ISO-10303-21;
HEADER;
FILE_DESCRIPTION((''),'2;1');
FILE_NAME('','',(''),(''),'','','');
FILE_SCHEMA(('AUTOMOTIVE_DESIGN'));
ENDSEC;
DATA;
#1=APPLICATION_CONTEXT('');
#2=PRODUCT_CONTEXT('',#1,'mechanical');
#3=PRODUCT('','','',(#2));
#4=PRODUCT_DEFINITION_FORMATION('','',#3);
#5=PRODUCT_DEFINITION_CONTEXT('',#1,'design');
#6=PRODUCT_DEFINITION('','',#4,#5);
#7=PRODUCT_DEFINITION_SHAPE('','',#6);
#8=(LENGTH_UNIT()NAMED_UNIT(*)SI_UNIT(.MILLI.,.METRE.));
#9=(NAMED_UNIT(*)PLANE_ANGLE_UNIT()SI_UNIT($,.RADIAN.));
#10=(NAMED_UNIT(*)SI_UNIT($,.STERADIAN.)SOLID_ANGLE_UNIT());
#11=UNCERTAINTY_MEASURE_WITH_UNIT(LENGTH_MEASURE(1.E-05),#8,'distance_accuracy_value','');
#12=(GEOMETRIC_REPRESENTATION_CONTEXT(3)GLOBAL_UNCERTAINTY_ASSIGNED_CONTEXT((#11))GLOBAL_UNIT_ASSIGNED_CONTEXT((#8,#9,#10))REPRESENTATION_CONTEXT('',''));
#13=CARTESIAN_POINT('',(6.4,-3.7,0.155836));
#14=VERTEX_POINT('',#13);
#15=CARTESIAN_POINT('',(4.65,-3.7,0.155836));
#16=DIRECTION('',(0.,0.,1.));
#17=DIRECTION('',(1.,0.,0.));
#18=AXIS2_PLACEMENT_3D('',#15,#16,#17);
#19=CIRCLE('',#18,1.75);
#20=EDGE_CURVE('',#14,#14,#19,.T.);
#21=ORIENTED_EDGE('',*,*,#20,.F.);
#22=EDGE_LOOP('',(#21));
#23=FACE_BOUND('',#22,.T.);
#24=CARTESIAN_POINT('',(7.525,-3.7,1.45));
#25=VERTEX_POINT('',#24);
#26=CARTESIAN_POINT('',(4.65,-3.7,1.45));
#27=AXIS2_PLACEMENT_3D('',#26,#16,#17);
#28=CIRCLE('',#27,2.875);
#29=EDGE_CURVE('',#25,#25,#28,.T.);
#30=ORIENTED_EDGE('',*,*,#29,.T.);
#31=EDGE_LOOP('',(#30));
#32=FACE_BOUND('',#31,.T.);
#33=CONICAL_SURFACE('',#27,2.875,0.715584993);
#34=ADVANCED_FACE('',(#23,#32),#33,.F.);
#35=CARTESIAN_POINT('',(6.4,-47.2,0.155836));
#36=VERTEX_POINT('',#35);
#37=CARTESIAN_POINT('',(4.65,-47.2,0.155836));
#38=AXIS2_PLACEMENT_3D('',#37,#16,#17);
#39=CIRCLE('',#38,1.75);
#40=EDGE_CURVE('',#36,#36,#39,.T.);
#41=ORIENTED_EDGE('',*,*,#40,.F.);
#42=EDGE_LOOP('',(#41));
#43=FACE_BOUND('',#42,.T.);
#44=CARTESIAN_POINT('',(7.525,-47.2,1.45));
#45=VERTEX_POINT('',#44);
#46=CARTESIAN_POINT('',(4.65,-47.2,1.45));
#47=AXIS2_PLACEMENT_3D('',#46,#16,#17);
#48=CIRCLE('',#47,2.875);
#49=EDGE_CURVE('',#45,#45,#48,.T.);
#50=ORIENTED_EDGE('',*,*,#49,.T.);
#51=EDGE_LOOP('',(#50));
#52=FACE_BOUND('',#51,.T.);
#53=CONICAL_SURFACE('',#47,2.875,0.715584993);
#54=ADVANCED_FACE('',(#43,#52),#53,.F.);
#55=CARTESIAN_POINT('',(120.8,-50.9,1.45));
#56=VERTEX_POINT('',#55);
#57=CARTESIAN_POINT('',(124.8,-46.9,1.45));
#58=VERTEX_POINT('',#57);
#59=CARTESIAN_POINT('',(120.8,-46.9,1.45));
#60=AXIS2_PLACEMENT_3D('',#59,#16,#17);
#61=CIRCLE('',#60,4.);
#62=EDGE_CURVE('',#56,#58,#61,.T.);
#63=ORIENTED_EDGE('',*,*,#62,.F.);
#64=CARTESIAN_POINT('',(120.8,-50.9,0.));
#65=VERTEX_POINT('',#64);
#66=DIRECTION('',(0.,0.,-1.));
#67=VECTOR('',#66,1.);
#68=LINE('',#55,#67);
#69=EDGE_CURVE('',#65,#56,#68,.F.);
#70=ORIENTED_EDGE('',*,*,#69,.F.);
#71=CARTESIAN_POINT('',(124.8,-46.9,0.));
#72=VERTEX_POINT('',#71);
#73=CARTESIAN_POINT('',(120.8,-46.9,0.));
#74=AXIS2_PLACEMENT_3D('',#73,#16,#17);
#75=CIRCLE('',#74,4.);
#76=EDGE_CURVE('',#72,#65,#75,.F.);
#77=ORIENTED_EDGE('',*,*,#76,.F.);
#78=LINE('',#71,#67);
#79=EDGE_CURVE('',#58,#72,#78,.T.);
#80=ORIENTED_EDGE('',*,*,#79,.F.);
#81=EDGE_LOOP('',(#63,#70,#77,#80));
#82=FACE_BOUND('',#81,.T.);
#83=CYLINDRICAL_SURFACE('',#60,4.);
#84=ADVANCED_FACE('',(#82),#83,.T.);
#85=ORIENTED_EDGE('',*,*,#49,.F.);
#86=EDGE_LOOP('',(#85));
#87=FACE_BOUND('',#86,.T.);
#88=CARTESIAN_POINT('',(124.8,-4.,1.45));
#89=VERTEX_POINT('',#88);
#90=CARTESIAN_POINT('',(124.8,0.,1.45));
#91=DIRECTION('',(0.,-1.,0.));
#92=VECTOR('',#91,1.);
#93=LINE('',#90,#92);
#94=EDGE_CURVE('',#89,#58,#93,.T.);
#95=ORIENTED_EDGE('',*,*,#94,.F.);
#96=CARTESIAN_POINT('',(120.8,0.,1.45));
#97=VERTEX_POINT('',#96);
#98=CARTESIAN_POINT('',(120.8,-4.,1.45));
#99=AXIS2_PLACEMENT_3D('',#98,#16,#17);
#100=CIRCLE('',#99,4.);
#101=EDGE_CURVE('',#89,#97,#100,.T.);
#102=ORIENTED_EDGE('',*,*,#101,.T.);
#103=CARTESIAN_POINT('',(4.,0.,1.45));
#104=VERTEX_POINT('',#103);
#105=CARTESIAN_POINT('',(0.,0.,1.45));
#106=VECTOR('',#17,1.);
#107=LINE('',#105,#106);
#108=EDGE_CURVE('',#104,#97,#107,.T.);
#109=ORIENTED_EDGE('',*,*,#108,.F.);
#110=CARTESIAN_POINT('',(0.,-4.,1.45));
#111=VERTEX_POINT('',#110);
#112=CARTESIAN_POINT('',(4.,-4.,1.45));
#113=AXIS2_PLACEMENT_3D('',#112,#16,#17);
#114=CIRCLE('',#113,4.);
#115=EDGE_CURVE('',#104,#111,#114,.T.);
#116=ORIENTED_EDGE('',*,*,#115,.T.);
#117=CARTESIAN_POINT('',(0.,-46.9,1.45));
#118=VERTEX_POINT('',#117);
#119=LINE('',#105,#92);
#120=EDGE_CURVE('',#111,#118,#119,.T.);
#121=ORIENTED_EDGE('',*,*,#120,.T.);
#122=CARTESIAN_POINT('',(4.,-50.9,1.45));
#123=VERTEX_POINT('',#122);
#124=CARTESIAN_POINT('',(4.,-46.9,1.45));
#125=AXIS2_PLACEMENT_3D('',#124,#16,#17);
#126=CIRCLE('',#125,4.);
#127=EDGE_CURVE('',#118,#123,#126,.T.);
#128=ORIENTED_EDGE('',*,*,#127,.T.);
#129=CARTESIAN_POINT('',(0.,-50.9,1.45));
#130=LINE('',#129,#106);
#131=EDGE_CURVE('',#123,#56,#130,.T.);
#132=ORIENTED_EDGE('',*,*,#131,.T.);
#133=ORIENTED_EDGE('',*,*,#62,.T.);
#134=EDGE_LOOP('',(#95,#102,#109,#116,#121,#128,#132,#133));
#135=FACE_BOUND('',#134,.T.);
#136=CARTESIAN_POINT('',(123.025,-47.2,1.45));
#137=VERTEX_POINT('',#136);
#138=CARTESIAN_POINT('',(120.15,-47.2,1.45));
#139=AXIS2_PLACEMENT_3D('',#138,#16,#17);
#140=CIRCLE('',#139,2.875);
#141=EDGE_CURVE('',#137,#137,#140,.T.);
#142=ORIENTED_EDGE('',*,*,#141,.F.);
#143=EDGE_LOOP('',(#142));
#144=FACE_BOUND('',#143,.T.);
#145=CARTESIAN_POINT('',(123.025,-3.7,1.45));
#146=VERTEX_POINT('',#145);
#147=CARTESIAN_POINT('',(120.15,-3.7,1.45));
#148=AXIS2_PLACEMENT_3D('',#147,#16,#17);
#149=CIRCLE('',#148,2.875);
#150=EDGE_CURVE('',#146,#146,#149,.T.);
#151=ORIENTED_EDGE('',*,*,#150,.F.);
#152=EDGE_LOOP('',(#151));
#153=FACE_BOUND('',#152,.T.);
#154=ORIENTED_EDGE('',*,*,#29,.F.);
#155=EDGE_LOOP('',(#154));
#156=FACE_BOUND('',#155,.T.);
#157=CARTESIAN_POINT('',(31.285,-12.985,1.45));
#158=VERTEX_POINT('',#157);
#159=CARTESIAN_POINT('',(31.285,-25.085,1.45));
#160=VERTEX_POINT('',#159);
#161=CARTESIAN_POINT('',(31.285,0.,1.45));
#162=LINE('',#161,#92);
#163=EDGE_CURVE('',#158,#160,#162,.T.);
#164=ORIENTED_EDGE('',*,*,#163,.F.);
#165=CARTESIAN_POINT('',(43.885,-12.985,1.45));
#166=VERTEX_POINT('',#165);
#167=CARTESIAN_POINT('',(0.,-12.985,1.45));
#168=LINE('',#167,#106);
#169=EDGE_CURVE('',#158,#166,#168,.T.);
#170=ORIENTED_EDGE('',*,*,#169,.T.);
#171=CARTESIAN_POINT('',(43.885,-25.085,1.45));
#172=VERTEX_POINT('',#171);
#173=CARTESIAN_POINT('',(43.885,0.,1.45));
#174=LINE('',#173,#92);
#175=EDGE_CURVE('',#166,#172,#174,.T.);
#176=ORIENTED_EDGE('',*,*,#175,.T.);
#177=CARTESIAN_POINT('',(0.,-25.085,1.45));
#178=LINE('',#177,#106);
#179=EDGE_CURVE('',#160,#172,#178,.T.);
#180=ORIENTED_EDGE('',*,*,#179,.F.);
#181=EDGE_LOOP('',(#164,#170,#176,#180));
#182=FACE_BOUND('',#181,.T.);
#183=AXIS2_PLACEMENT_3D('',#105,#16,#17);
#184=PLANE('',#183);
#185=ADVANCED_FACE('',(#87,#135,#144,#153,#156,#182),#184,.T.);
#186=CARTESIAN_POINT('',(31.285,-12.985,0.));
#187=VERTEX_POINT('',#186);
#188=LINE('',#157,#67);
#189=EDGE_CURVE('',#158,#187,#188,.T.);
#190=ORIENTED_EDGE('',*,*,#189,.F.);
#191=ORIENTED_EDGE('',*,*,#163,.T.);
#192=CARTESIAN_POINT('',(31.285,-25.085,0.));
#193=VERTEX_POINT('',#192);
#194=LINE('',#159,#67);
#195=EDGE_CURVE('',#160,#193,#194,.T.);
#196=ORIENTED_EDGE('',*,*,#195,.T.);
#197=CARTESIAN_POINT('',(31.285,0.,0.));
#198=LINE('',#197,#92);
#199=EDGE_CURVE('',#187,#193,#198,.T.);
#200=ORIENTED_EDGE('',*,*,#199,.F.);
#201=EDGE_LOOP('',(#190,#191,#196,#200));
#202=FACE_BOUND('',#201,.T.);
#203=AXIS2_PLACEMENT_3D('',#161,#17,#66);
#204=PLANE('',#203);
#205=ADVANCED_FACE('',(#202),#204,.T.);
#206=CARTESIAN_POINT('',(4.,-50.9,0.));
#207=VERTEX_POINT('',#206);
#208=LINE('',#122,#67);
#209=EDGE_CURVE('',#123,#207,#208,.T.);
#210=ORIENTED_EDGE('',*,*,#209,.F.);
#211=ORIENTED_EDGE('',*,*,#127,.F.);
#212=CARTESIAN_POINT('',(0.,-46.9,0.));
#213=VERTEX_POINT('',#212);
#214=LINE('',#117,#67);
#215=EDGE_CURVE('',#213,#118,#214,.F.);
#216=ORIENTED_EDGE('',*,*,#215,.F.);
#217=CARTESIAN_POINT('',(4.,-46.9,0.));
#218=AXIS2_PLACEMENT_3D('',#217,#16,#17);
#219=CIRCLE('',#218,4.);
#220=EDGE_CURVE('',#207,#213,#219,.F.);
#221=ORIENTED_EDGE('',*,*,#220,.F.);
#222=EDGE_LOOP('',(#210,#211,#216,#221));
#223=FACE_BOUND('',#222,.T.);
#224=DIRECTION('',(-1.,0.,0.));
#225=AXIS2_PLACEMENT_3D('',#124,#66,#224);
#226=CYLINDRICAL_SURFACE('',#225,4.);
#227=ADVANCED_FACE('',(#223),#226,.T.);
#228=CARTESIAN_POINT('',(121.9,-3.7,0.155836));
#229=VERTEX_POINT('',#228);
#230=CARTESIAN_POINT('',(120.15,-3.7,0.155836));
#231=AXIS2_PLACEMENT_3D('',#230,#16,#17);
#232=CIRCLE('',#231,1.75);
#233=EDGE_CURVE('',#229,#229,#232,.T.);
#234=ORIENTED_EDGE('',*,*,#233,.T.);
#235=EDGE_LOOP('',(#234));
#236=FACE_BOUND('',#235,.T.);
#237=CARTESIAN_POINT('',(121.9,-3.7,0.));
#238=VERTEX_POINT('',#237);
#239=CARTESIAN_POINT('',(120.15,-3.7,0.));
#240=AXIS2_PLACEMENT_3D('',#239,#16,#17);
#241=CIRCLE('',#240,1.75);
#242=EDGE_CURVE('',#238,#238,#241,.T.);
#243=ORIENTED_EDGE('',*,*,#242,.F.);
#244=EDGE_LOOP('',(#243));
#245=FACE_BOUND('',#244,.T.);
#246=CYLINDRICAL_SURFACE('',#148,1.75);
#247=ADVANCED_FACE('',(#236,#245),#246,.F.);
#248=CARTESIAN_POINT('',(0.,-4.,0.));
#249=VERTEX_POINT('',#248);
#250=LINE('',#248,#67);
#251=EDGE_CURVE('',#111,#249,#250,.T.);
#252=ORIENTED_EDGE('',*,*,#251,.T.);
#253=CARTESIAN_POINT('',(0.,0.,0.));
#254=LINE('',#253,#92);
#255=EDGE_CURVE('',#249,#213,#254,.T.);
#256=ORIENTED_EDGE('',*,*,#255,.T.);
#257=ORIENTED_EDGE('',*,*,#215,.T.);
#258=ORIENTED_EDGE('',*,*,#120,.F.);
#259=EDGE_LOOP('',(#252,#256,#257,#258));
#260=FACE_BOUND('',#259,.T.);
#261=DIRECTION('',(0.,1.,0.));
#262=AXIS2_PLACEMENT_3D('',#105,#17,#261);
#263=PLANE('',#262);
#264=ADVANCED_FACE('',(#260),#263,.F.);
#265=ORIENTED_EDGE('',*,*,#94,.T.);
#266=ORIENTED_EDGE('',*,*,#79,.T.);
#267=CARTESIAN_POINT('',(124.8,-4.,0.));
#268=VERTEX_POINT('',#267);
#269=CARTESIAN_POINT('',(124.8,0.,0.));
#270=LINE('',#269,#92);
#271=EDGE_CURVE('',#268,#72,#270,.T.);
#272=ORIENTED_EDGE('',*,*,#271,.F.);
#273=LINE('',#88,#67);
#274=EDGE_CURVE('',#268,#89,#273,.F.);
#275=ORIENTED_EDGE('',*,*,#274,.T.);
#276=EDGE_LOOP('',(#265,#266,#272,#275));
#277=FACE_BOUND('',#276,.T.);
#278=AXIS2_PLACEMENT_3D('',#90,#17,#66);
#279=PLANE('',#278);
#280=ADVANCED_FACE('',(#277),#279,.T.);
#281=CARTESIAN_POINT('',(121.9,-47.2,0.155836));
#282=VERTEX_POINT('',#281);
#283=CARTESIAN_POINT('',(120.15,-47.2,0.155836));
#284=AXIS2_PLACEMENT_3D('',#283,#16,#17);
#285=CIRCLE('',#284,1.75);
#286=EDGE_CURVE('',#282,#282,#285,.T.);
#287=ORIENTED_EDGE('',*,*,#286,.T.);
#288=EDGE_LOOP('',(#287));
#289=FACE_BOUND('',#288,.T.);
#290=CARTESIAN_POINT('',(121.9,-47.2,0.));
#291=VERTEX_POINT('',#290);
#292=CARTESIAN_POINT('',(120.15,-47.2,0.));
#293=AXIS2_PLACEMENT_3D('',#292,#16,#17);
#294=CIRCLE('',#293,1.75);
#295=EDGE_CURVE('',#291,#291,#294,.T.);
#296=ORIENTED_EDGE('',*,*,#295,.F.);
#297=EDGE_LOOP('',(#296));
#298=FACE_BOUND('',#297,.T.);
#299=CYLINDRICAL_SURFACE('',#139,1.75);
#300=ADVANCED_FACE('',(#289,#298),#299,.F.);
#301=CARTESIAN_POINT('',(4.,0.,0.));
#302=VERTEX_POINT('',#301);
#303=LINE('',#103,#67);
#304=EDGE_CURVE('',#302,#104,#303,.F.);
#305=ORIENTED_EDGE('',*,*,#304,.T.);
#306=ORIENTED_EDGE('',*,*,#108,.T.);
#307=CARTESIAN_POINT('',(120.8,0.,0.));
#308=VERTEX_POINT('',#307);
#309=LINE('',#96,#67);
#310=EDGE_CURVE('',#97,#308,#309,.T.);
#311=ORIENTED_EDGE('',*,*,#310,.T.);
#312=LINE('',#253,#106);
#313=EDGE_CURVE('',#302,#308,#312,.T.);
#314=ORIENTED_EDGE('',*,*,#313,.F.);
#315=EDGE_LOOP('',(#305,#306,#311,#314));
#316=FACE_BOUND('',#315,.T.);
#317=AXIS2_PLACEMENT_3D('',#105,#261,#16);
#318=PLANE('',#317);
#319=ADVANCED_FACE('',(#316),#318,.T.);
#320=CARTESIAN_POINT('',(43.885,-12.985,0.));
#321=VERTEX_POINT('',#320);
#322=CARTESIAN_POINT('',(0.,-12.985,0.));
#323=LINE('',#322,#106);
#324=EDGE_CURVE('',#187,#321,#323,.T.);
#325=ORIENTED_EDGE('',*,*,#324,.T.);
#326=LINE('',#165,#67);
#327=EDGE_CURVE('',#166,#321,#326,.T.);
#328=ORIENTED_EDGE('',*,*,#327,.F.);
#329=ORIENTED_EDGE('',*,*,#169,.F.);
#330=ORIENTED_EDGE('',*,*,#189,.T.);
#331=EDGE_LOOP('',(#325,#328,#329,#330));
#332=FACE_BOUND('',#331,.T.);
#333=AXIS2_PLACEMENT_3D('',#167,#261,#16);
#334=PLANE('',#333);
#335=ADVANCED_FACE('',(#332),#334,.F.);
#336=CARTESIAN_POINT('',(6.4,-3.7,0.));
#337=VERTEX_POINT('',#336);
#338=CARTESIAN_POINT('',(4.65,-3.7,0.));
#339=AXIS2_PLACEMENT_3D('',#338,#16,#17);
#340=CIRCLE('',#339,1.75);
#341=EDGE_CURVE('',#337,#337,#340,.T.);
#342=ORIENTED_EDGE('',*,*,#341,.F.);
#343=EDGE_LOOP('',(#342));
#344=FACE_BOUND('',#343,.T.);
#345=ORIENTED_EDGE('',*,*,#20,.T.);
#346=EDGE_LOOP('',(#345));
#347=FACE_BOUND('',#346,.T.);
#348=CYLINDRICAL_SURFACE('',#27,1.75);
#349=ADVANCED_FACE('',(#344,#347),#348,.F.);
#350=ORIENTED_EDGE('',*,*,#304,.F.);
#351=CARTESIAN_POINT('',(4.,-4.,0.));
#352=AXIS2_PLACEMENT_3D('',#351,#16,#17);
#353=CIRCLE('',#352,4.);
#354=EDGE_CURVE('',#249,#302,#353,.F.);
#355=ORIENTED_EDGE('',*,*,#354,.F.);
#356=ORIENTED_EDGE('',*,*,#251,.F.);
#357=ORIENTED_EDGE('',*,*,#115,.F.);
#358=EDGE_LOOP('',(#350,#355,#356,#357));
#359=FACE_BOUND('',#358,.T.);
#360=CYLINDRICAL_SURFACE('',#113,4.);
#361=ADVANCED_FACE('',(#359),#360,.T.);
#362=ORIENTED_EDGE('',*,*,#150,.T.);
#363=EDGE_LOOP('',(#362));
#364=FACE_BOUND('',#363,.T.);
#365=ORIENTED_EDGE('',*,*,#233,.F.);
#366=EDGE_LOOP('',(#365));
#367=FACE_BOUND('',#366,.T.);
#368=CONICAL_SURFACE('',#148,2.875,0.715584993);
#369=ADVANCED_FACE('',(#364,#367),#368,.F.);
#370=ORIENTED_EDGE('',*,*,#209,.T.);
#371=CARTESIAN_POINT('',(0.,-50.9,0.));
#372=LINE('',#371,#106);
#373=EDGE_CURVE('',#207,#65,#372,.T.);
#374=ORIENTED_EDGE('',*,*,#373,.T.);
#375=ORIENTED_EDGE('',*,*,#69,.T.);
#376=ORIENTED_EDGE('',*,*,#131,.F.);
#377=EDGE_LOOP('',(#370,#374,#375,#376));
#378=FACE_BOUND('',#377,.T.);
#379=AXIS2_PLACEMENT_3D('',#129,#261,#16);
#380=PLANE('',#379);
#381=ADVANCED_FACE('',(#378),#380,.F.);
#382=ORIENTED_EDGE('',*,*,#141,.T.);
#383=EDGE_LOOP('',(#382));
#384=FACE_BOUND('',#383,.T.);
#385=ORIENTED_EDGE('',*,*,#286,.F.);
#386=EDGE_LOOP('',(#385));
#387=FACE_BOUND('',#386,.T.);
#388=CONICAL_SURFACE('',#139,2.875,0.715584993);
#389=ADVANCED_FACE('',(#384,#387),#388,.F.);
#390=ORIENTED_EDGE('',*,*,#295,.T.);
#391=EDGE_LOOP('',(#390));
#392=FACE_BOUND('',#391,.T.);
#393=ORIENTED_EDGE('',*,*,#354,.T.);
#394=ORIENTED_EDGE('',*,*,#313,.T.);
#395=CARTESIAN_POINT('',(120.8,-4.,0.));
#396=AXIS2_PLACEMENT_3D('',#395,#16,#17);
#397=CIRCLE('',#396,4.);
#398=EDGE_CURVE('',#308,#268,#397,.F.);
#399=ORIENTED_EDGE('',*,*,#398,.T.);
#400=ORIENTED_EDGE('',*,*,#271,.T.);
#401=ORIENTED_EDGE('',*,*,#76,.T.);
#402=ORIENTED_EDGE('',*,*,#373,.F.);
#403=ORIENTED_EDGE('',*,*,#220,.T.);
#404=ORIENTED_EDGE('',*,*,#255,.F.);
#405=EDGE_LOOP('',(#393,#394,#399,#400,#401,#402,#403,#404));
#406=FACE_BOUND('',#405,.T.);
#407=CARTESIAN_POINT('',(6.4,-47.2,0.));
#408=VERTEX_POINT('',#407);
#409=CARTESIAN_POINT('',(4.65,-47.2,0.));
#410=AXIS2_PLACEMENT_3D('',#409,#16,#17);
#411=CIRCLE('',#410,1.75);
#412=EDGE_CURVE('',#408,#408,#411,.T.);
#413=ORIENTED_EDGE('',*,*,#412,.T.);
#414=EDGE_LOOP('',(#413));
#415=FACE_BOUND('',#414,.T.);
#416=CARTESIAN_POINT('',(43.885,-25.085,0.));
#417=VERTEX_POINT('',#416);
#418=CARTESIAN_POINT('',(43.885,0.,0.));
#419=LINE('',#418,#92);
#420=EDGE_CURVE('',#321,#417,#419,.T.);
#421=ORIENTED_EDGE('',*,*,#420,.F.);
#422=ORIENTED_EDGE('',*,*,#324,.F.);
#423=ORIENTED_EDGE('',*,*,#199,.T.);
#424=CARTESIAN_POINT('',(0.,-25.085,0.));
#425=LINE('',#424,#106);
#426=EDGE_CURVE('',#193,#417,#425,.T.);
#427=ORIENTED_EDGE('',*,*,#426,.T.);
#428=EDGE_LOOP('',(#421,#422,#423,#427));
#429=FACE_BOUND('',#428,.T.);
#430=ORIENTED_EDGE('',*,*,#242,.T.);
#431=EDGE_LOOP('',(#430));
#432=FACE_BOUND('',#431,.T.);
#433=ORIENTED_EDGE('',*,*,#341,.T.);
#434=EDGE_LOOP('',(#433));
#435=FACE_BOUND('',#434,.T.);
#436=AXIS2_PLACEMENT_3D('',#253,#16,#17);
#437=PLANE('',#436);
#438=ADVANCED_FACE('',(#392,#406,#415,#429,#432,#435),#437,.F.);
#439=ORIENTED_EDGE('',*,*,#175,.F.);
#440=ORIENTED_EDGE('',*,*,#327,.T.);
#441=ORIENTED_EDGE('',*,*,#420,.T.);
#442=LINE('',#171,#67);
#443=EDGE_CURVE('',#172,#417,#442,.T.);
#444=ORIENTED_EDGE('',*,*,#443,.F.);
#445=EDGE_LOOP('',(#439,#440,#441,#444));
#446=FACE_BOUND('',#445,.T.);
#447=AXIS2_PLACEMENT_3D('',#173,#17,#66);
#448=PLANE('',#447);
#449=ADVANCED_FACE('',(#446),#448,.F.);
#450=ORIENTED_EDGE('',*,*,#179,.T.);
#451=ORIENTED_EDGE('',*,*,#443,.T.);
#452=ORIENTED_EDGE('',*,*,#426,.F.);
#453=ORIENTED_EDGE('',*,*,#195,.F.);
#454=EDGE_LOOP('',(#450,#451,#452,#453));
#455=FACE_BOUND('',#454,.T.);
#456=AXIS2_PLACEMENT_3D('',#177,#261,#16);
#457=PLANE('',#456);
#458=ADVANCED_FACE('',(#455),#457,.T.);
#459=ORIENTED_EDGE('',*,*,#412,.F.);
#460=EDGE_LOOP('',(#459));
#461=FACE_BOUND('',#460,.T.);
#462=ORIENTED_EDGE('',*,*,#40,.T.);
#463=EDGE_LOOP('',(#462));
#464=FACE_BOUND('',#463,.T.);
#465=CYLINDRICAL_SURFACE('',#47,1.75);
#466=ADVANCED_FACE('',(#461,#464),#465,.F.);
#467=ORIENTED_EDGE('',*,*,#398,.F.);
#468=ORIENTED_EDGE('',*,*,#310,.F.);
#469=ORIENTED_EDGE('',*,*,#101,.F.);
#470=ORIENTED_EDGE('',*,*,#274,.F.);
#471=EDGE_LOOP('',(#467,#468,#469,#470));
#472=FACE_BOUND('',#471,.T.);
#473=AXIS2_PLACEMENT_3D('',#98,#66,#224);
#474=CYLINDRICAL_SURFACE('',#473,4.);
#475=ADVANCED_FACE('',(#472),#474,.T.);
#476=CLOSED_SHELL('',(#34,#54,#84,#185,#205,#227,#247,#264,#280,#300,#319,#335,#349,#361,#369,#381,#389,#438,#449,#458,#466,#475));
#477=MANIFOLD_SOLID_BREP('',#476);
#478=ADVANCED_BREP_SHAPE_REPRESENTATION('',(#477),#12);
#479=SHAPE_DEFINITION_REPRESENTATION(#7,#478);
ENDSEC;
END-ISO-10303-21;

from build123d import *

# Parameters (mm, degrees)
SKETCH1_W                                      = 124.8
SKETCH1_H                                      = 50.9
SKETCH1_W_2                                    = 12.6
SKETCH1_H_2                                    = 12.1
BOSS_EXTRUDE1_DEPTH                            = 1.45
CSK_FOR_M3_5_FLAT_HEAD_MACHINE_SCREW1_AT_COUNT = 2
CSK_FOR_M3_5_FLAT_HEAD_MACHINE_SCREW1_AT_PITCH = 115.5
CSK_FOR_M3_5_FLAT_HEAD_MACHINE_SCREW_2_COUNT   = 2
CSK_FOR_M3_5_FLAT_HEAD_MACHINE_SCREW_2_PITCH   = 123.420014584
CSK_FOR_M3_5_FLAT_HEAD_MACHINE_SCREW_3_COUNT   = 2
CSK_FOR_M3_5_FLAT_HEAD_MACHINE_SCREW_3_PITCH   = 43.5
FILLET2_R                                      = 4


with BuildPart() as part:
    # Sketch1 → Boss-Extrude1 (new body)
    with BuildSketch(Plane.XY):
        with Locations((62.4, -25.45)):
            Rectangle(SKETCH1_W, SKETCH1_H)
        with Locations((37.585, -19.035)):
            Rectangle(SKETCH1_W_2, SKETCH1_H_2, mode=Mode.SUBTRACT)
    extrude(amount=BOSS_EXTRUDE1_DEPTH)

    # Sketch2 → CSK for M3.5 Flat Head Machine Screw1 (revolve, cut)
    with BuildSketch(Plane(origin=(4.65, -3.7, 1.45), x_dir=(0, -1, 0), z_dir=(1, 0, 0))):
        Polygon((0, 0), (0, 1.45), (1.75, 1.45), (1.75, 1.294164458), (2.875, 0), align=None)
    csk_for_m3_5_flat_head_machine_screw1 = revolve(axis=Axis((4.65, -3.7, 7.8), (0, 0, -1)), mode=Mode.SUBTRACT)

    # CSK for M3.5 Flat Head Machine Screw1 at: CSK for M3.5 Flat Head Machine Screw1 ×2
    with Locations(*[(i * CSK_FOR_M3_5_FLAT_HEAD_MACHINE_SCREW1_AT_PITCH, 0, 0) for i in range(1, CSK_FOR_M3_5_FLAT_HEAD_MACHINE_SCREW1_AT_COUNT)]):
        add(csk_for_m3_5_flat_head_machine_screw1, mode=Mode.SUBTRACT)

    # CSK for M3.5 Flat Head Machine Screw 2: CSK for M3.5 Flat Head Machine Screw1 ×2
    with Locations(*[Vector(0.935828766, -0.35245499, 0) * (i * CSK_FOR_M3_5_FLAT_HEAD_MACHINE_SCREW_2_PITCH) for i in range(1, CSK_FOR_M3_5_FLAT_HEAD_MACHINE_SCREW_2_COUNT)]):
        add(csk_for_m3_5_flat_head_machine_screw1, mode=Mode.SUBTRACT)

    # CSK for M3.5 Flat Head Machine Screw 3: CSK for M3.5 Flat Head Machine Screw1 ×2
    with Locations(*[(0, -i * CSK_FOR_M3_5_FLAT_HEAD_MACHINE_SCREW_3_PITCH, 0) for i in range(1, CSK_FOR_M3_5_FLAT_HEAD_MACHINE_SCREW_3_COUNT)]):
        add(csk_for_m3_5_flat_head_machine_screw1, mode=Mode.SUBTRACT)

    # Fillet2
    fillet2_edges = [part.edges().sort_by_distance(p)[0] for p in [
        (124.8, -50.9, 0.725),
        (0, -50.9, 0.725),
        (0, 0, 0.725),
        (124.8, 0, 0.725),
    ]]
    fillet(fillet2_edges, radius=FILLET2_R)


solid = part.part
